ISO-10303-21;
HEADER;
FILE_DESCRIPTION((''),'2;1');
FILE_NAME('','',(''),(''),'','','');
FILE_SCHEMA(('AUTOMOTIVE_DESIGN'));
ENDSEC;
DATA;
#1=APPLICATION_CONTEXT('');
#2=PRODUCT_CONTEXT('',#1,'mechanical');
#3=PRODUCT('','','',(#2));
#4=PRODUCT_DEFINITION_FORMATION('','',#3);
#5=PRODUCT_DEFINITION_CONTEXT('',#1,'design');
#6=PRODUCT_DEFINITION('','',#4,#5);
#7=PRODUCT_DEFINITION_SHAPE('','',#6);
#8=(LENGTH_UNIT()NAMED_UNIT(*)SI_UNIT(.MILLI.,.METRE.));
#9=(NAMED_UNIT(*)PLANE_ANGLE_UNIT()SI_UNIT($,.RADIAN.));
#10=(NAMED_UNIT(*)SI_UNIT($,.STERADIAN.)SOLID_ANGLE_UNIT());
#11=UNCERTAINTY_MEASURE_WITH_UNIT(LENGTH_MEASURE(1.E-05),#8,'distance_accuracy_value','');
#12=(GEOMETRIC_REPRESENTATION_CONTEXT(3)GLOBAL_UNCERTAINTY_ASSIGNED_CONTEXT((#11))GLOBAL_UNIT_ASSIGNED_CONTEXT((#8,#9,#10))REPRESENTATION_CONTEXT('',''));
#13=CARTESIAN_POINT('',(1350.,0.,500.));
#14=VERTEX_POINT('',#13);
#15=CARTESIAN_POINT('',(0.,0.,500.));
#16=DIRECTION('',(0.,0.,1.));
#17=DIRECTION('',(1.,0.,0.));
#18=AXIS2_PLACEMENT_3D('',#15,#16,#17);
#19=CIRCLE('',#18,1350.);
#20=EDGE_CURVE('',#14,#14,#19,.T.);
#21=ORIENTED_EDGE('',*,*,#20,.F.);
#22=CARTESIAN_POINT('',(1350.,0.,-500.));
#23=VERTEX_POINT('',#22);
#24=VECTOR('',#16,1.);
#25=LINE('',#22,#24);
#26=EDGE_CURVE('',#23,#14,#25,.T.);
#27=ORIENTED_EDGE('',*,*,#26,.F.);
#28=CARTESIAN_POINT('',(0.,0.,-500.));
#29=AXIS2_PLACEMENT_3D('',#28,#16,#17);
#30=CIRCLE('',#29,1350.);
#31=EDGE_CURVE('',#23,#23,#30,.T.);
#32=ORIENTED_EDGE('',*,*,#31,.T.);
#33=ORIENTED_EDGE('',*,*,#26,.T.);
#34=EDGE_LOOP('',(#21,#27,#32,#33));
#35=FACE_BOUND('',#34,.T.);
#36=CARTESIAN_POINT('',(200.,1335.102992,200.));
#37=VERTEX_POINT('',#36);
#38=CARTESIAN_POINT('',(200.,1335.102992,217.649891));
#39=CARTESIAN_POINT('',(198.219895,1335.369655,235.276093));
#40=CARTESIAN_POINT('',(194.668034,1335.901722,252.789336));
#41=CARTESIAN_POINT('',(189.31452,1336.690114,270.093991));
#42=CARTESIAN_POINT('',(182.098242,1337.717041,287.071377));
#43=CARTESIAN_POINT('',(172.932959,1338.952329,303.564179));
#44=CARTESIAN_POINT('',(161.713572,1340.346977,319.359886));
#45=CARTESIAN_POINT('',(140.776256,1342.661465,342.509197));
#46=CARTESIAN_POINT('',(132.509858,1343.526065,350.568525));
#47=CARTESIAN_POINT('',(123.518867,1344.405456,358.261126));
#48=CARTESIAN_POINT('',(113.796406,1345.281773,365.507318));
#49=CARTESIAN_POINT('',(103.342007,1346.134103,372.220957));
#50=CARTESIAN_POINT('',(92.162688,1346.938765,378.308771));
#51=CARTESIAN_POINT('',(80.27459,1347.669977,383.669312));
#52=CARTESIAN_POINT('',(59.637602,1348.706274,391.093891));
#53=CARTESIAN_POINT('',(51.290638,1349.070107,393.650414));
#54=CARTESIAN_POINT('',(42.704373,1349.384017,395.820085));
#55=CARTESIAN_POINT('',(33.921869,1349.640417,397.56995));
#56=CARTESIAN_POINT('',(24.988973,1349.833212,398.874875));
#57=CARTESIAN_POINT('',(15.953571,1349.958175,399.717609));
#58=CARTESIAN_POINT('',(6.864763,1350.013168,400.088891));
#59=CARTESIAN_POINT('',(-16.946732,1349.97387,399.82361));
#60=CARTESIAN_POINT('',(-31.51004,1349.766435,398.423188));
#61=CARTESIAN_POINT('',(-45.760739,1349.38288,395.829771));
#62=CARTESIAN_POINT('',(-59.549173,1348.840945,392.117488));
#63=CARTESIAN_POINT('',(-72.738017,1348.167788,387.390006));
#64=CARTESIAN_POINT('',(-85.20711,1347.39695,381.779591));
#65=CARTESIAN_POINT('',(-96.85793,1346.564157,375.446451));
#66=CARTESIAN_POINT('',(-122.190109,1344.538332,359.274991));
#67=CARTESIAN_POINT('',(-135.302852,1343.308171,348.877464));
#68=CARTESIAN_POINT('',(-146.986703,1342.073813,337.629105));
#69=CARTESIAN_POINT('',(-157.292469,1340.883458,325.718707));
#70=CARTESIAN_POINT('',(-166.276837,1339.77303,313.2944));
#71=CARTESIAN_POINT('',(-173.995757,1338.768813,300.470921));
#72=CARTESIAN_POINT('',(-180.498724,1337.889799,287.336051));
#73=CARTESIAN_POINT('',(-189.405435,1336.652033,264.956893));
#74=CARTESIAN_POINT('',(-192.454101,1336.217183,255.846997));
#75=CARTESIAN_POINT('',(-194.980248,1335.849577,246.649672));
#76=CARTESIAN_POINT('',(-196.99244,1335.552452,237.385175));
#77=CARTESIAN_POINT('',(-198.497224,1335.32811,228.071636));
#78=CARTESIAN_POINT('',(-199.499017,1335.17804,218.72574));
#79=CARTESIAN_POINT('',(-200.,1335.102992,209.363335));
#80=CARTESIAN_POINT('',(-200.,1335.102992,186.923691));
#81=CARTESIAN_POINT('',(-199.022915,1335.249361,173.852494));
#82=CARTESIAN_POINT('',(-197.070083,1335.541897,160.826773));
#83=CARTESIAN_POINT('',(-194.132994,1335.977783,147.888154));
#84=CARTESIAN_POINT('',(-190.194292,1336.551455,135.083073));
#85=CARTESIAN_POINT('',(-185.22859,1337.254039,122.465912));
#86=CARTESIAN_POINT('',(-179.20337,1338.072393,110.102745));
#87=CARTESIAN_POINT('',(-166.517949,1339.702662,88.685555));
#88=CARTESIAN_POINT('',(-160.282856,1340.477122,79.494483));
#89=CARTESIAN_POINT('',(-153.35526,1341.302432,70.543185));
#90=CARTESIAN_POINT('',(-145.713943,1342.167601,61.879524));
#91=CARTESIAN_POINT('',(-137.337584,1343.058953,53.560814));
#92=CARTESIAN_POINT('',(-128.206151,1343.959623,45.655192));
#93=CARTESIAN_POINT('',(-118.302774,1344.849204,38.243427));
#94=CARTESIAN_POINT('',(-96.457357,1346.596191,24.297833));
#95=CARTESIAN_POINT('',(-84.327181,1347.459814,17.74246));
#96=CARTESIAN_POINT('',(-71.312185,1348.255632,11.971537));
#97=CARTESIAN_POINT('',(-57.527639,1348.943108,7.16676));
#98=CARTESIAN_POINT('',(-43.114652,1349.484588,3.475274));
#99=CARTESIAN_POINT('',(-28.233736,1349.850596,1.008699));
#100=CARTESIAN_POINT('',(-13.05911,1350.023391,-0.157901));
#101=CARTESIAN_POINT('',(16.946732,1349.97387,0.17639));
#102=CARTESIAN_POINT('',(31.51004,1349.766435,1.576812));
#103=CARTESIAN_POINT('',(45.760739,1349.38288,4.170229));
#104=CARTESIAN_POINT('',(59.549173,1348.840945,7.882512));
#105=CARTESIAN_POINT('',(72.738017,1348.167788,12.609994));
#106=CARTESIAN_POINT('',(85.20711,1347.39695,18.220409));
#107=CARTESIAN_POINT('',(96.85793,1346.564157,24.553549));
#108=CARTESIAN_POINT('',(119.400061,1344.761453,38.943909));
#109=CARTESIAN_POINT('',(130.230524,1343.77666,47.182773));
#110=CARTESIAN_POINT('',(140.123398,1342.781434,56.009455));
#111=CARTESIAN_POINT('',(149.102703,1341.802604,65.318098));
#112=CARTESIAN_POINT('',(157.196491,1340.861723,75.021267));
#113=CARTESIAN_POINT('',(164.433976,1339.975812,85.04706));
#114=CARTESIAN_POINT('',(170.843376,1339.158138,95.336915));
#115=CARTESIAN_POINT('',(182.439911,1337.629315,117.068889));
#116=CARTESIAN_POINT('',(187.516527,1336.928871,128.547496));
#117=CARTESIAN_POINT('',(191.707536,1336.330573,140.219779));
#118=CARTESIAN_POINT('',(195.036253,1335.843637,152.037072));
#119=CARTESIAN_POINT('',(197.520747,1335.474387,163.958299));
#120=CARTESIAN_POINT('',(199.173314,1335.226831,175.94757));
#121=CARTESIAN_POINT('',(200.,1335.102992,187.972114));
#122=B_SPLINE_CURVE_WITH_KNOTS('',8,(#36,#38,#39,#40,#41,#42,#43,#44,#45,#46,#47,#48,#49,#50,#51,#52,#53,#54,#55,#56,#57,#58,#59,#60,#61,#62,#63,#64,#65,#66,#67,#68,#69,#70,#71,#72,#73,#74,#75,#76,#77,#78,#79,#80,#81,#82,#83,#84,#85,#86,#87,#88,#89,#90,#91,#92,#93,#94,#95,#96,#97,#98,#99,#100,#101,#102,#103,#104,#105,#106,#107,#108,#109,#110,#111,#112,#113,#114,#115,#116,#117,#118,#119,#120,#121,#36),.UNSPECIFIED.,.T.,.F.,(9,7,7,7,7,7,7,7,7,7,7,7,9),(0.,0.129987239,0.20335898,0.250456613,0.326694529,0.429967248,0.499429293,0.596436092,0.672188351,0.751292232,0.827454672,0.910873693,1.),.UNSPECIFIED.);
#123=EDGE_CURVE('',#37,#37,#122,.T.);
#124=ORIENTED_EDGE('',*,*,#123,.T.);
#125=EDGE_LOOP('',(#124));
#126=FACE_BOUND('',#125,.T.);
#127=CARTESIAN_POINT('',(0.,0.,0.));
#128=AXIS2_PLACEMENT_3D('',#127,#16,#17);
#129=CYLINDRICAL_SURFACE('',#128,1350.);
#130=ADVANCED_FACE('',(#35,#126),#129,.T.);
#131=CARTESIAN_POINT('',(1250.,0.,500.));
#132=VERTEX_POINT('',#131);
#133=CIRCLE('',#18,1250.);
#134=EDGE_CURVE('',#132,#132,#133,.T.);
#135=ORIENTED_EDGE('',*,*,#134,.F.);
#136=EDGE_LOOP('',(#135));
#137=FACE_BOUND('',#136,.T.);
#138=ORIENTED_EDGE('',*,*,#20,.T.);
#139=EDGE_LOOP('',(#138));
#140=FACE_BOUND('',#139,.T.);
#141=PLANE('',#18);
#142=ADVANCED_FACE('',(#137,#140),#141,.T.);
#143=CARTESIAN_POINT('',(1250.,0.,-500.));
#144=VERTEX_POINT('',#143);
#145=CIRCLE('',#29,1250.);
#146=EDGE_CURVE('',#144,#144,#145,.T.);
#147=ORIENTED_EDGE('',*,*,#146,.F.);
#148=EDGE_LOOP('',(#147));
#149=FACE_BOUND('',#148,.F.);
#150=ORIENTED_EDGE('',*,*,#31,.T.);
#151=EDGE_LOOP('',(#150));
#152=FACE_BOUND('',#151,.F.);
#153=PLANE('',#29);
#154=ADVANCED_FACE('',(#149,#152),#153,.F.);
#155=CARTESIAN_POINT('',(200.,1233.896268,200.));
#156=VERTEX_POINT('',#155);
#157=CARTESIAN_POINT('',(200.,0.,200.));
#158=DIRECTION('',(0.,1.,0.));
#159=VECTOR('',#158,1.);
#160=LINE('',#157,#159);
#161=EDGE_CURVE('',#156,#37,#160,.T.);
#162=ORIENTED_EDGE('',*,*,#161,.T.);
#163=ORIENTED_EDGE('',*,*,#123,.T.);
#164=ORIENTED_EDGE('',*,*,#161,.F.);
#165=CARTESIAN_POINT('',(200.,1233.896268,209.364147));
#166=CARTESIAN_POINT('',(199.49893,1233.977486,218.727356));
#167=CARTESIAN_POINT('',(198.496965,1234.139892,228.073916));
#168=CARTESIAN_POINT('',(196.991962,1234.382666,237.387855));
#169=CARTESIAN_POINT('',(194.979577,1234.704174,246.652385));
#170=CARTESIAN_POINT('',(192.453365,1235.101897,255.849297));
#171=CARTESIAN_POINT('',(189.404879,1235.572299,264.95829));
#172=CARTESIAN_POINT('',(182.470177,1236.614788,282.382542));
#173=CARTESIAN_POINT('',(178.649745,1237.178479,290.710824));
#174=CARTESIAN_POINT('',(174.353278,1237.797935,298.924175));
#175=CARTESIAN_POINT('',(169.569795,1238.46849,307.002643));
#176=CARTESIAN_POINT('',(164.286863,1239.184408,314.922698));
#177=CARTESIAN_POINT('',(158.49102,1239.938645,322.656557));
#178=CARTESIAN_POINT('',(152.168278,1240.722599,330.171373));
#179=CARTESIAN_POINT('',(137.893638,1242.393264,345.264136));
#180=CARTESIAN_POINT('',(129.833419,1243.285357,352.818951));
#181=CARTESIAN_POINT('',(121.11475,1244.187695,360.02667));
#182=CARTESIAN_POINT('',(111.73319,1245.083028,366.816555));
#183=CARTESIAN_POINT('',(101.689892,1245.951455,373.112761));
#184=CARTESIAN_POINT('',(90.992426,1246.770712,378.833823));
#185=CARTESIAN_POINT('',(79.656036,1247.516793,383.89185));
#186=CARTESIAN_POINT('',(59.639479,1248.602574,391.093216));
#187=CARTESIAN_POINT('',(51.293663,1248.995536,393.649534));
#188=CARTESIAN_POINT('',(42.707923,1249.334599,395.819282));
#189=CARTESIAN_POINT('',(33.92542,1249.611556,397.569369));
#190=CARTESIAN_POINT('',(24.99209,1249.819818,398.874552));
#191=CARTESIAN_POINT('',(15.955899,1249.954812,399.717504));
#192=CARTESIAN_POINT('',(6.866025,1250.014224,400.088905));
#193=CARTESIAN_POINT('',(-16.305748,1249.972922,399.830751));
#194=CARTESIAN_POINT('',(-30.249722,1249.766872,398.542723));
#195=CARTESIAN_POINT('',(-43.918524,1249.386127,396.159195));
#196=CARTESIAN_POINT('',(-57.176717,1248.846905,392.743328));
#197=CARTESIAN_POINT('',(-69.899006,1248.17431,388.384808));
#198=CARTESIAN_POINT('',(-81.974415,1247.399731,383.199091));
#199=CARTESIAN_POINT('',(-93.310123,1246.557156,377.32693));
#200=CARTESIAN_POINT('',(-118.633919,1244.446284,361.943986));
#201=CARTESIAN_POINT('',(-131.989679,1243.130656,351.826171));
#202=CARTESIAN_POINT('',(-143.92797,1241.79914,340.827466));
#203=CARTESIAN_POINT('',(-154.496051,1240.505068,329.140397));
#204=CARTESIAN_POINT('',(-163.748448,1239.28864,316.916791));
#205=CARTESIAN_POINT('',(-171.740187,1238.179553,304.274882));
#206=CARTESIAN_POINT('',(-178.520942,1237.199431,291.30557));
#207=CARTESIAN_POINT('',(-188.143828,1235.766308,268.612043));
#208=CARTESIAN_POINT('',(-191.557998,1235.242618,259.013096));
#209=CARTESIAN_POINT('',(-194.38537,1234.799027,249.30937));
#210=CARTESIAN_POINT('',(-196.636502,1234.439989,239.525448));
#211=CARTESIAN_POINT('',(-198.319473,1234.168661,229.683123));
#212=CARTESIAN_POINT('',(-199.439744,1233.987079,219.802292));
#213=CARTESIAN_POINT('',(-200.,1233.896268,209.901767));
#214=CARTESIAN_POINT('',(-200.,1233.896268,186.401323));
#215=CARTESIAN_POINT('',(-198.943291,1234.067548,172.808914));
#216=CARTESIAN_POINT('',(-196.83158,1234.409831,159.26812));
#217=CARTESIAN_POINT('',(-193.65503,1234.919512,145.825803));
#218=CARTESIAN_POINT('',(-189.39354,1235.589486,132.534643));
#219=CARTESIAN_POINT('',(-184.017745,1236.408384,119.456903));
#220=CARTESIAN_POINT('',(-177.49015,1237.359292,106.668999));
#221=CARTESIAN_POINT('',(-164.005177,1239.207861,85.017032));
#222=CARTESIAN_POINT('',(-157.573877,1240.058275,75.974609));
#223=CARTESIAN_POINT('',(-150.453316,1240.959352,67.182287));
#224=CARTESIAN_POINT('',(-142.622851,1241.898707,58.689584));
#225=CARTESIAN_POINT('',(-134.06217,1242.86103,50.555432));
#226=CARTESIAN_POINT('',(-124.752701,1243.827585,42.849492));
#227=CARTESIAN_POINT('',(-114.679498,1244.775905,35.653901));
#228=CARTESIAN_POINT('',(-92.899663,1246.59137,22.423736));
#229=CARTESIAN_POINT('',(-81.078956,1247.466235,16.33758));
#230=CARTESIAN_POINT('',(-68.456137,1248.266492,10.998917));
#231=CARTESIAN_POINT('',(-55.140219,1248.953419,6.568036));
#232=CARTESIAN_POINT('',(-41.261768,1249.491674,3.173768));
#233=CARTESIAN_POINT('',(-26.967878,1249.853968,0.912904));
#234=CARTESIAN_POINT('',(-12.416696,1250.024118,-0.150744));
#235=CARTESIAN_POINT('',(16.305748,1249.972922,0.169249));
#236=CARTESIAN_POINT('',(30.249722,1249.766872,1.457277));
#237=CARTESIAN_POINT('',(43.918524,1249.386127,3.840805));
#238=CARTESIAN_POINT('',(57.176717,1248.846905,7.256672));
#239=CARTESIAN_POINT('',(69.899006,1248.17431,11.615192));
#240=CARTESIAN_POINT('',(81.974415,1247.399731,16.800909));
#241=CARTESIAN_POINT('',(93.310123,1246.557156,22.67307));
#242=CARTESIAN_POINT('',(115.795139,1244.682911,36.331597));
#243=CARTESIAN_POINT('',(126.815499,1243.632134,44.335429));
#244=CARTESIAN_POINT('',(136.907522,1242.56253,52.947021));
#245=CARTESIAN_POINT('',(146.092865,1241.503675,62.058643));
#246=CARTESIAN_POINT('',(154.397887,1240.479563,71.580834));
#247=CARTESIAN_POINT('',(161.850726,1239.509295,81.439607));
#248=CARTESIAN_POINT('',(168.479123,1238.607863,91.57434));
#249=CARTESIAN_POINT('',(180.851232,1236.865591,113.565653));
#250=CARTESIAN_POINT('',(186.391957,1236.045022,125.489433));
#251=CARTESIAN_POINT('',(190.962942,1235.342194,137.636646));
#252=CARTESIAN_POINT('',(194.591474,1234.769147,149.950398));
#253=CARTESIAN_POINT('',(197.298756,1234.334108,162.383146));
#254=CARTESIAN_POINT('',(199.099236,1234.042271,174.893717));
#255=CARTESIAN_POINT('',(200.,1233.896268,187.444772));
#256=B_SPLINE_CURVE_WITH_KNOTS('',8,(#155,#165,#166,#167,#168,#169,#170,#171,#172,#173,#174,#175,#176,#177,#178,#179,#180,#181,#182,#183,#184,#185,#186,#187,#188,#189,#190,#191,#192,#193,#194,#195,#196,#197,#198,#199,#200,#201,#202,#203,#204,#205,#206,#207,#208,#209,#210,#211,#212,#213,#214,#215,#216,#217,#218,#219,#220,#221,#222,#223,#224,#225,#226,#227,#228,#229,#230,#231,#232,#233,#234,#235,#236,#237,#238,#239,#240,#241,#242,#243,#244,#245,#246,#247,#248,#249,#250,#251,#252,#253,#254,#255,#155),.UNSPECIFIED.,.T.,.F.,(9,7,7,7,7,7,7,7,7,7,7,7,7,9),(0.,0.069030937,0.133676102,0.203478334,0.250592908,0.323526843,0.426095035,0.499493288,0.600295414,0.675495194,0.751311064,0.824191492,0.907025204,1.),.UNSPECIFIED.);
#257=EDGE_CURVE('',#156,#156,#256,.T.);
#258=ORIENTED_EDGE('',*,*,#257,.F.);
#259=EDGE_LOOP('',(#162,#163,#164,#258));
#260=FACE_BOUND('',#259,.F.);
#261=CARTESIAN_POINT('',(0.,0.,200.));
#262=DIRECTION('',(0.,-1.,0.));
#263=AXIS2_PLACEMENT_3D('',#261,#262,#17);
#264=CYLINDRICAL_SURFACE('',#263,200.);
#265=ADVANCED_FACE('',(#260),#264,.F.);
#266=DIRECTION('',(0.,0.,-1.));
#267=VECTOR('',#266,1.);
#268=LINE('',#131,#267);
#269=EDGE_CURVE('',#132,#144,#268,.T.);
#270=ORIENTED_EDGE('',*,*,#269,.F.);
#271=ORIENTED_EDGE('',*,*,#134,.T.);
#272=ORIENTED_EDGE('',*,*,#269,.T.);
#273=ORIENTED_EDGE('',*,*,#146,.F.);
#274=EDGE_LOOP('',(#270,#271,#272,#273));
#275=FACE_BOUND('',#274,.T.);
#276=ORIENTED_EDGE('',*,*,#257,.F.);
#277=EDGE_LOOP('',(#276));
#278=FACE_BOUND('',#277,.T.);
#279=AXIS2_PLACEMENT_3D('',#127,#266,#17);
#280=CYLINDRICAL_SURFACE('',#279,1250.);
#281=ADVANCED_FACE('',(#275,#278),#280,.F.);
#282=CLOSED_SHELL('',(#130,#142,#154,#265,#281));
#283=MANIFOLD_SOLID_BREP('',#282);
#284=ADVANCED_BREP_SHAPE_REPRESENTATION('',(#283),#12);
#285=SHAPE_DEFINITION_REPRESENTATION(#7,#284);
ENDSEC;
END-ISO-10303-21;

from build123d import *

# Parameters (mm, degrees)
F0_R     = 1350
F0_R_2   = 1250
F1_DEPTH = 500
F2_R     = 200
F3_DEPTH = 2000


with BuildPart() as f1:
    # F0 (on Top) → F1 (new body, symmetric)
    with BuildSketch(Plane.XY):
        Circle(F0_R)
        Circle(F0_R_2, mode=Mode.SUBTRACT)
    extrude(amount=F1_DEPTH, both=True)

    # F2 (on Front) → F3 (cut)
    with BuildSketch(Plane.XZ):
        with Locations((0, 200)):
            Circle(F2_R)
    extrude(amount=-F3_DEPTH, mode=Mode.SUBTRACT)


solid = f1.part
